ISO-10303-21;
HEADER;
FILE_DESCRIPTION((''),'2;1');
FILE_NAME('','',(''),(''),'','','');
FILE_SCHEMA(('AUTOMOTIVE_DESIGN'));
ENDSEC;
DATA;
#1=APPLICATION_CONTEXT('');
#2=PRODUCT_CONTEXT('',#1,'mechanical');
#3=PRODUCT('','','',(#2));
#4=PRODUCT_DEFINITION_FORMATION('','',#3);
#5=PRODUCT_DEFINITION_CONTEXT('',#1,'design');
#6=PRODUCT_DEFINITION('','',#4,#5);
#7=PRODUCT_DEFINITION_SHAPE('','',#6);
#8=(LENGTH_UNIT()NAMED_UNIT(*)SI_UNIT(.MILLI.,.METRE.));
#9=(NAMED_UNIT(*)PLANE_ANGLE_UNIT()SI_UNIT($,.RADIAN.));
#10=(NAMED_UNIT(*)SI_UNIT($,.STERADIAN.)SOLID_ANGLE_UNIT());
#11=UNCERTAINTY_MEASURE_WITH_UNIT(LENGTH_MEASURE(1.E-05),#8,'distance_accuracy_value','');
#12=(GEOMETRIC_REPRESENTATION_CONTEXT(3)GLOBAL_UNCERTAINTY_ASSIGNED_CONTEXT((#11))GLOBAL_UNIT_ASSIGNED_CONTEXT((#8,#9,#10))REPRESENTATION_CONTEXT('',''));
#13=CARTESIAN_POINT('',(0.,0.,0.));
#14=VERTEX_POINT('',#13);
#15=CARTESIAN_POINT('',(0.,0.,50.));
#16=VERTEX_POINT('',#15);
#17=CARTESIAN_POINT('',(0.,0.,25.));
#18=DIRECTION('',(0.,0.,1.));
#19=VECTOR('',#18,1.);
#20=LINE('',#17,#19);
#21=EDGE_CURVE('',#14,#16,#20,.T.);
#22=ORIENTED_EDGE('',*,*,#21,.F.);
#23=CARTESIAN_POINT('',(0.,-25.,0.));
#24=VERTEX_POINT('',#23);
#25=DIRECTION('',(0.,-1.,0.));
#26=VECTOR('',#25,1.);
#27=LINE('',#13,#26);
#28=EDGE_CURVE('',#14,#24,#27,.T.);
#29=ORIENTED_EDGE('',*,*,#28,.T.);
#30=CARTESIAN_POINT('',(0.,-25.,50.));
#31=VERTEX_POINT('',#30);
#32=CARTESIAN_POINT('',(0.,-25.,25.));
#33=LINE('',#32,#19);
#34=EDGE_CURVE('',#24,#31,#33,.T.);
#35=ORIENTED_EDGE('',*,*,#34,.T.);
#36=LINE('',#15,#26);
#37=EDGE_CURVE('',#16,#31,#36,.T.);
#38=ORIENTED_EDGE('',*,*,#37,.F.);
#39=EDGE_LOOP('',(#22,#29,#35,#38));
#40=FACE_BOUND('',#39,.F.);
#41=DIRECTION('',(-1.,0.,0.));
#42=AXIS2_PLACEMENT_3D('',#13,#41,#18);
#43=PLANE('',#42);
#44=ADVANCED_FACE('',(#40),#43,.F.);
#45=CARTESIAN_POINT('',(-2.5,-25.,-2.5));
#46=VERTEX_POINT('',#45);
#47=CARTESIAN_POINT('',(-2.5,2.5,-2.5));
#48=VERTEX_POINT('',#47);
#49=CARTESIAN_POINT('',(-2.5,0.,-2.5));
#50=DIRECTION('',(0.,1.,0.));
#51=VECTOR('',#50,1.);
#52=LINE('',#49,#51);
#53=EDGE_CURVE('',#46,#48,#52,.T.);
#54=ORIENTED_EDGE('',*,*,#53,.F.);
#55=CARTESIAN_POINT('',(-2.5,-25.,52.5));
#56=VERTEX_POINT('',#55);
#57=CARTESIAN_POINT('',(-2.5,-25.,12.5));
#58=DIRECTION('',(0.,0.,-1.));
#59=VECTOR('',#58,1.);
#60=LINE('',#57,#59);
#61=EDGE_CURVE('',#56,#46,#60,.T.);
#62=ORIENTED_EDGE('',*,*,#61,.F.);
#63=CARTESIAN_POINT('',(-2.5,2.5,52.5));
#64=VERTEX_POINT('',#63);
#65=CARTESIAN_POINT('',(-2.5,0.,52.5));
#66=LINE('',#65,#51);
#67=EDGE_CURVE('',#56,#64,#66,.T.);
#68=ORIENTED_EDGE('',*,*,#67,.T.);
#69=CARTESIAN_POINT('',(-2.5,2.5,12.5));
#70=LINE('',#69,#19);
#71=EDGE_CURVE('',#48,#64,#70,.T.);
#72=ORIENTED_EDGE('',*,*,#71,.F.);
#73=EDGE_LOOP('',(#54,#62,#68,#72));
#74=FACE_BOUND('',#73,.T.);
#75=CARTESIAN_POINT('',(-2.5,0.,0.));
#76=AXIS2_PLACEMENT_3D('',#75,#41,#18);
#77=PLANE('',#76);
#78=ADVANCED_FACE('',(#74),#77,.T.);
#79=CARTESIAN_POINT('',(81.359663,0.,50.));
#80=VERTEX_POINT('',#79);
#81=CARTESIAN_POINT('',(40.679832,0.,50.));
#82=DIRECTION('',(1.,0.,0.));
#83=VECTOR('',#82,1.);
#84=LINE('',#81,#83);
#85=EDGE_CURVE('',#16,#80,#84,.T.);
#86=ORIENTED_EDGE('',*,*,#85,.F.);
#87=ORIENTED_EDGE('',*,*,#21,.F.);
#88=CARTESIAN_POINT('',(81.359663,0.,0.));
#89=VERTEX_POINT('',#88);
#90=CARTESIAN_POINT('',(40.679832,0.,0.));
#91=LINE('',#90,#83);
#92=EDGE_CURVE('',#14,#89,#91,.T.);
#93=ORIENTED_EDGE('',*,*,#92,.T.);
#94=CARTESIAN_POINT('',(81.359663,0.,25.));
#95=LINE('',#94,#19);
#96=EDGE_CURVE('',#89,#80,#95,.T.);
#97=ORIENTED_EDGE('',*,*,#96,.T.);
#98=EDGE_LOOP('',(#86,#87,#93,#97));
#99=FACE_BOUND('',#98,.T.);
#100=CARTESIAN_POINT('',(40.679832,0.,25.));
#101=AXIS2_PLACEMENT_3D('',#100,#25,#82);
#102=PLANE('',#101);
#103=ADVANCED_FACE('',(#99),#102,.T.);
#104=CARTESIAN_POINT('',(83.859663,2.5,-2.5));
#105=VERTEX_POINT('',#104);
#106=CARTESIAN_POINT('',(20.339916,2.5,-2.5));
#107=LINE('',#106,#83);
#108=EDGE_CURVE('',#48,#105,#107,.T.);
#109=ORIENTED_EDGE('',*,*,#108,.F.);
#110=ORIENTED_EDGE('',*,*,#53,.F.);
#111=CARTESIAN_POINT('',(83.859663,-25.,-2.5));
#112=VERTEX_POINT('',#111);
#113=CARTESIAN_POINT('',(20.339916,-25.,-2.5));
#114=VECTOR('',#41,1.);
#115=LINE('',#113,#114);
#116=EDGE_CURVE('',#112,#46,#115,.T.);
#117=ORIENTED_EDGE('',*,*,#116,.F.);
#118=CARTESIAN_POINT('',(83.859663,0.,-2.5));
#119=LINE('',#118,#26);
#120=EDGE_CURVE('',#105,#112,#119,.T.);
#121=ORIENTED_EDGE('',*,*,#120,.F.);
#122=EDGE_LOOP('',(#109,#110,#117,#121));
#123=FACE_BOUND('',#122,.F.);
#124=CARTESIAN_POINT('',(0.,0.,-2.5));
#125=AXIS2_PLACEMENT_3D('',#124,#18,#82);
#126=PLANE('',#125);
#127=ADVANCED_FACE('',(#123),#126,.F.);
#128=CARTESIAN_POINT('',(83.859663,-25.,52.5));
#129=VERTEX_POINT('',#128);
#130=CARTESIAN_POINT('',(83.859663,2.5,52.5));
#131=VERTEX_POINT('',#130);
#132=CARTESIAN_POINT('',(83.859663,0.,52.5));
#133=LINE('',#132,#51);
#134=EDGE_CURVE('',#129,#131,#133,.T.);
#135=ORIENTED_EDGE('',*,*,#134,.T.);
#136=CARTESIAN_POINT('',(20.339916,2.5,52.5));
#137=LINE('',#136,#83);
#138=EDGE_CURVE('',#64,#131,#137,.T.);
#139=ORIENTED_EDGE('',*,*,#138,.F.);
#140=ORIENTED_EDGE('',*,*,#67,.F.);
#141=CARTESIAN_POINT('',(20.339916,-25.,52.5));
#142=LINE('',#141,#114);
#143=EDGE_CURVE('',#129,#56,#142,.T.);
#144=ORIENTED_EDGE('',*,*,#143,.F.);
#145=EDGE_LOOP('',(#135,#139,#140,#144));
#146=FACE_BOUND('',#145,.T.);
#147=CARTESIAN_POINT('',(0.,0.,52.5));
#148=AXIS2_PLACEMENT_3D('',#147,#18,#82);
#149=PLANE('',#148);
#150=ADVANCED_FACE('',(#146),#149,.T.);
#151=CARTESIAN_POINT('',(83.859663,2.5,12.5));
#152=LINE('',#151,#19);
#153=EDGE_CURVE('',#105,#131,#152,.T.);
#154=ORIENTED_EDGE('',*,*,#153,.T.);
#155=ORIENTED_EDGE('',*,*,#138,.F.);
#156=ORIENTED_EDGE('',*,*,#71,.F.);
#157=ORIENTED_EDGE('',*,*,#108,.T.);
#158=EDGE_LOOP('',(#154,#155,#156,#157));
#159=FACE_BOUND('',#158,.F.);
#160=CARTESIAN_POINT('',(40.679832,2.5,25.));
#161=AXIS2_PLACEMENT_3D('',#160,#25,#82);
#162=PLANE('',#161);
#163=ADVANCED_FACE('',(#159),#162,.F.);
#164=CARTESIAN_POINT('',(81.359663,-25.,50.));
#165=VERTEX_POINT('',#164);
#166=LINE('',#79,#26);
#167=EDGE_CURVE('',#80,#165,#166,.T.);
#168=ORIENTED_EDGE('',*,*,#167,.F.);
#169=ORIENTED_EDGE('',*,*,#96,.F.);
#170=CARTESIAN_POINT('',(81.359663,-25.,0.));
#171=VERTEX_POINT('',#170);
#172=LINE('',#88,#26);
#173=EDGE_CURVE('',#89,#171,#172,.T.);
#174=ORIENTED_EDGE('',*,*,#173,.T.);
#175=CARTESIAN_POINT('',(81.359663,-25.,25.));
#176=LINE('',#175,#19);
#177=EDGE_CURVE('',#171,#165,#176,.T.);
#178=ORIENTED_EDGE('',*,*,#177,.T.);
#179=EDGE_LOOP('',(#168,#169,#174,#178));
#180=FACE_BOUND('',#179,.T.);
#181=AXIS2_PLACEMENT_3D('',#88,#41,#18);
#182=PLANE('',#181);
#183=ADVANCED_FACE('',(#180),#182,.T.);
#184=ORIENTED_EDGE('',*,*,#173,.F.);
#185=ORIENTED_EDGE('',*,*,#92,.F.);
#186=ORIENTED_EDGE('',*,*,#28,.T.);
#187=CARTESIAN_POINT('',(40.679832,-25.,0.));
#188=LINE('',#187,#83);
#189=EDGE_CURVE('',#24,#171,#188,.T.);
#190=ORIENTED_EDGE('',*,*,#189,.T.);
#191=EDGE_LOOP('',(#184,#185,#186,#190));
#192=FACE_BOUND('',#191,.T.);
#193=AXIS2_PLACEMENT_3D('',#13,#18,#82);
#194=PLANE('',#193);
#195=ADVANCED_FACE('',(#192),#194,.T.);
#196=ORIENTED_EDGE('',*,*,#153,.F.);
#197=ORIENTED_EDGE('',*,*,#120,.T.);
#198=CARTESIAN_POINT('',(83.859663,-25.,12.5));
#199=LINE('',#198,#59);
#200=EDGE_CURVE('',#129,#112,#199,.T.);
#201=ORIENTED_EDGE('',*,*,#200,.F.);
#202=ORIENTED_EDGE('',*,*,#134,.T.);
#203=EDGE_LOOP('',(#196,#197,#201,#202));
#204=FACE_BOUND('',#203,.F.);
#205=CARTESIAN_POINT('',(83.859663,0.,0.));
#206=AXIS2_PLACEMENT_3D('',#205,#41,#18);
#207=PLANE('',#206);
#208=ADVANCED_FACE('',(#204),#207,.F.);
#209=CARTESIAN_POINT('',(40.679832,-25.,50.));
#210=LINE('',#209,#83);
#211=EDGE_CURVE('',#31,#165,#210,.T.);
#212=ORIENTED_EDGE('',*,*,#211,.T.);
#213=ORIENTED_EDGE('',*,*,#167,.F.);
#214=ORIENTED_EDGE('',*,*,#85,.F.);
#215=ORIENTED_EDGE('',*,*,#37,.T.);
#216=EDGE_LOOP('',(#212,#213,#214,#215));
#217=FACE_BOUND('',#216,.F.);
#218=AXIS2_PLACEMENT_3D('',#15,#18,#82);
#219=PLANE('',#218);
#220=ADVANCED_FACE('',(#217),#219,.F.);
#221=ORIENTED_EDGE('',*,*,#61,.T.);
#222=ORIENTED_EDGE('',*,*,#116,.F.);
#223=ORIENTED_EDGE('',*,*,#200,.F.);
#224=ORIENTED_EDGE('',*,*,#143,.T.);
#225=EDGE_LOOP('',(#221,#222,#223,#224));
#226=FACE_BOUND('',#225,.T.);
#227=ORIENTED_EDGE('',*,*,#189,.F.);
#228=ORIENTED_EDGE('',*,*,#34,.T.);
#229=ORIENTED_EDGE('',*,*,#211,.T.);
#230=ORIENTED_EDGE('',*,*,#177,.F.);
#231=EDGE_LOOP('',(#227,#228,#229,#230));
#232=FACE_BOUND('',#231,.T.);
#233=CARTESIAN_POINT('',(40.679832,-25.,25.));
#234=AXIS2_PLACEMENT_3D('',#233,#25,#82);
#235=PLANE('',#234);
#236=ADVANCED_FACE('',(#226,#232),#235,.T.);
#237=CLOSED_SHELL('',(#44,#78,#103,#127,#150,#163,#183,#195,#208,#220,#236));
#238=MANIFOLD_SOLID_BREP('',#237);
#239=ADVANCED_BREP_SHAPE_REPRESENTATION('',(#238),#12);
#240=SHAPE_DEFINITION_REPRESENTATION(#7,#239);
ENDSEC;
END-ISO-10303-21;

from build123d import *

# Parameters (mm, degrees)
F0_W     = 81.3596632027
F0_H     = 50
F1_DEPTH = 25
F2_T     = 2.5


with BuildPart() as f1:
    # F0 (on Front) → F1 (new body)
    with BuildSketch(Plane.XZ):
        with Locations((40.6798316013, 25)):
            Rectangle(F0_W, F0_H)
    extrude(amount=F1_DEPTH)

    # F2
    f2_openings = [f1.faces().sort_by_distance(p)[0] for p in [
        (40.679832, -25, 25),
    ]]
    offset(amount=F2_T, openings=f2_openings, kind=Kind.INTERSECTION)


solid = f1.part
